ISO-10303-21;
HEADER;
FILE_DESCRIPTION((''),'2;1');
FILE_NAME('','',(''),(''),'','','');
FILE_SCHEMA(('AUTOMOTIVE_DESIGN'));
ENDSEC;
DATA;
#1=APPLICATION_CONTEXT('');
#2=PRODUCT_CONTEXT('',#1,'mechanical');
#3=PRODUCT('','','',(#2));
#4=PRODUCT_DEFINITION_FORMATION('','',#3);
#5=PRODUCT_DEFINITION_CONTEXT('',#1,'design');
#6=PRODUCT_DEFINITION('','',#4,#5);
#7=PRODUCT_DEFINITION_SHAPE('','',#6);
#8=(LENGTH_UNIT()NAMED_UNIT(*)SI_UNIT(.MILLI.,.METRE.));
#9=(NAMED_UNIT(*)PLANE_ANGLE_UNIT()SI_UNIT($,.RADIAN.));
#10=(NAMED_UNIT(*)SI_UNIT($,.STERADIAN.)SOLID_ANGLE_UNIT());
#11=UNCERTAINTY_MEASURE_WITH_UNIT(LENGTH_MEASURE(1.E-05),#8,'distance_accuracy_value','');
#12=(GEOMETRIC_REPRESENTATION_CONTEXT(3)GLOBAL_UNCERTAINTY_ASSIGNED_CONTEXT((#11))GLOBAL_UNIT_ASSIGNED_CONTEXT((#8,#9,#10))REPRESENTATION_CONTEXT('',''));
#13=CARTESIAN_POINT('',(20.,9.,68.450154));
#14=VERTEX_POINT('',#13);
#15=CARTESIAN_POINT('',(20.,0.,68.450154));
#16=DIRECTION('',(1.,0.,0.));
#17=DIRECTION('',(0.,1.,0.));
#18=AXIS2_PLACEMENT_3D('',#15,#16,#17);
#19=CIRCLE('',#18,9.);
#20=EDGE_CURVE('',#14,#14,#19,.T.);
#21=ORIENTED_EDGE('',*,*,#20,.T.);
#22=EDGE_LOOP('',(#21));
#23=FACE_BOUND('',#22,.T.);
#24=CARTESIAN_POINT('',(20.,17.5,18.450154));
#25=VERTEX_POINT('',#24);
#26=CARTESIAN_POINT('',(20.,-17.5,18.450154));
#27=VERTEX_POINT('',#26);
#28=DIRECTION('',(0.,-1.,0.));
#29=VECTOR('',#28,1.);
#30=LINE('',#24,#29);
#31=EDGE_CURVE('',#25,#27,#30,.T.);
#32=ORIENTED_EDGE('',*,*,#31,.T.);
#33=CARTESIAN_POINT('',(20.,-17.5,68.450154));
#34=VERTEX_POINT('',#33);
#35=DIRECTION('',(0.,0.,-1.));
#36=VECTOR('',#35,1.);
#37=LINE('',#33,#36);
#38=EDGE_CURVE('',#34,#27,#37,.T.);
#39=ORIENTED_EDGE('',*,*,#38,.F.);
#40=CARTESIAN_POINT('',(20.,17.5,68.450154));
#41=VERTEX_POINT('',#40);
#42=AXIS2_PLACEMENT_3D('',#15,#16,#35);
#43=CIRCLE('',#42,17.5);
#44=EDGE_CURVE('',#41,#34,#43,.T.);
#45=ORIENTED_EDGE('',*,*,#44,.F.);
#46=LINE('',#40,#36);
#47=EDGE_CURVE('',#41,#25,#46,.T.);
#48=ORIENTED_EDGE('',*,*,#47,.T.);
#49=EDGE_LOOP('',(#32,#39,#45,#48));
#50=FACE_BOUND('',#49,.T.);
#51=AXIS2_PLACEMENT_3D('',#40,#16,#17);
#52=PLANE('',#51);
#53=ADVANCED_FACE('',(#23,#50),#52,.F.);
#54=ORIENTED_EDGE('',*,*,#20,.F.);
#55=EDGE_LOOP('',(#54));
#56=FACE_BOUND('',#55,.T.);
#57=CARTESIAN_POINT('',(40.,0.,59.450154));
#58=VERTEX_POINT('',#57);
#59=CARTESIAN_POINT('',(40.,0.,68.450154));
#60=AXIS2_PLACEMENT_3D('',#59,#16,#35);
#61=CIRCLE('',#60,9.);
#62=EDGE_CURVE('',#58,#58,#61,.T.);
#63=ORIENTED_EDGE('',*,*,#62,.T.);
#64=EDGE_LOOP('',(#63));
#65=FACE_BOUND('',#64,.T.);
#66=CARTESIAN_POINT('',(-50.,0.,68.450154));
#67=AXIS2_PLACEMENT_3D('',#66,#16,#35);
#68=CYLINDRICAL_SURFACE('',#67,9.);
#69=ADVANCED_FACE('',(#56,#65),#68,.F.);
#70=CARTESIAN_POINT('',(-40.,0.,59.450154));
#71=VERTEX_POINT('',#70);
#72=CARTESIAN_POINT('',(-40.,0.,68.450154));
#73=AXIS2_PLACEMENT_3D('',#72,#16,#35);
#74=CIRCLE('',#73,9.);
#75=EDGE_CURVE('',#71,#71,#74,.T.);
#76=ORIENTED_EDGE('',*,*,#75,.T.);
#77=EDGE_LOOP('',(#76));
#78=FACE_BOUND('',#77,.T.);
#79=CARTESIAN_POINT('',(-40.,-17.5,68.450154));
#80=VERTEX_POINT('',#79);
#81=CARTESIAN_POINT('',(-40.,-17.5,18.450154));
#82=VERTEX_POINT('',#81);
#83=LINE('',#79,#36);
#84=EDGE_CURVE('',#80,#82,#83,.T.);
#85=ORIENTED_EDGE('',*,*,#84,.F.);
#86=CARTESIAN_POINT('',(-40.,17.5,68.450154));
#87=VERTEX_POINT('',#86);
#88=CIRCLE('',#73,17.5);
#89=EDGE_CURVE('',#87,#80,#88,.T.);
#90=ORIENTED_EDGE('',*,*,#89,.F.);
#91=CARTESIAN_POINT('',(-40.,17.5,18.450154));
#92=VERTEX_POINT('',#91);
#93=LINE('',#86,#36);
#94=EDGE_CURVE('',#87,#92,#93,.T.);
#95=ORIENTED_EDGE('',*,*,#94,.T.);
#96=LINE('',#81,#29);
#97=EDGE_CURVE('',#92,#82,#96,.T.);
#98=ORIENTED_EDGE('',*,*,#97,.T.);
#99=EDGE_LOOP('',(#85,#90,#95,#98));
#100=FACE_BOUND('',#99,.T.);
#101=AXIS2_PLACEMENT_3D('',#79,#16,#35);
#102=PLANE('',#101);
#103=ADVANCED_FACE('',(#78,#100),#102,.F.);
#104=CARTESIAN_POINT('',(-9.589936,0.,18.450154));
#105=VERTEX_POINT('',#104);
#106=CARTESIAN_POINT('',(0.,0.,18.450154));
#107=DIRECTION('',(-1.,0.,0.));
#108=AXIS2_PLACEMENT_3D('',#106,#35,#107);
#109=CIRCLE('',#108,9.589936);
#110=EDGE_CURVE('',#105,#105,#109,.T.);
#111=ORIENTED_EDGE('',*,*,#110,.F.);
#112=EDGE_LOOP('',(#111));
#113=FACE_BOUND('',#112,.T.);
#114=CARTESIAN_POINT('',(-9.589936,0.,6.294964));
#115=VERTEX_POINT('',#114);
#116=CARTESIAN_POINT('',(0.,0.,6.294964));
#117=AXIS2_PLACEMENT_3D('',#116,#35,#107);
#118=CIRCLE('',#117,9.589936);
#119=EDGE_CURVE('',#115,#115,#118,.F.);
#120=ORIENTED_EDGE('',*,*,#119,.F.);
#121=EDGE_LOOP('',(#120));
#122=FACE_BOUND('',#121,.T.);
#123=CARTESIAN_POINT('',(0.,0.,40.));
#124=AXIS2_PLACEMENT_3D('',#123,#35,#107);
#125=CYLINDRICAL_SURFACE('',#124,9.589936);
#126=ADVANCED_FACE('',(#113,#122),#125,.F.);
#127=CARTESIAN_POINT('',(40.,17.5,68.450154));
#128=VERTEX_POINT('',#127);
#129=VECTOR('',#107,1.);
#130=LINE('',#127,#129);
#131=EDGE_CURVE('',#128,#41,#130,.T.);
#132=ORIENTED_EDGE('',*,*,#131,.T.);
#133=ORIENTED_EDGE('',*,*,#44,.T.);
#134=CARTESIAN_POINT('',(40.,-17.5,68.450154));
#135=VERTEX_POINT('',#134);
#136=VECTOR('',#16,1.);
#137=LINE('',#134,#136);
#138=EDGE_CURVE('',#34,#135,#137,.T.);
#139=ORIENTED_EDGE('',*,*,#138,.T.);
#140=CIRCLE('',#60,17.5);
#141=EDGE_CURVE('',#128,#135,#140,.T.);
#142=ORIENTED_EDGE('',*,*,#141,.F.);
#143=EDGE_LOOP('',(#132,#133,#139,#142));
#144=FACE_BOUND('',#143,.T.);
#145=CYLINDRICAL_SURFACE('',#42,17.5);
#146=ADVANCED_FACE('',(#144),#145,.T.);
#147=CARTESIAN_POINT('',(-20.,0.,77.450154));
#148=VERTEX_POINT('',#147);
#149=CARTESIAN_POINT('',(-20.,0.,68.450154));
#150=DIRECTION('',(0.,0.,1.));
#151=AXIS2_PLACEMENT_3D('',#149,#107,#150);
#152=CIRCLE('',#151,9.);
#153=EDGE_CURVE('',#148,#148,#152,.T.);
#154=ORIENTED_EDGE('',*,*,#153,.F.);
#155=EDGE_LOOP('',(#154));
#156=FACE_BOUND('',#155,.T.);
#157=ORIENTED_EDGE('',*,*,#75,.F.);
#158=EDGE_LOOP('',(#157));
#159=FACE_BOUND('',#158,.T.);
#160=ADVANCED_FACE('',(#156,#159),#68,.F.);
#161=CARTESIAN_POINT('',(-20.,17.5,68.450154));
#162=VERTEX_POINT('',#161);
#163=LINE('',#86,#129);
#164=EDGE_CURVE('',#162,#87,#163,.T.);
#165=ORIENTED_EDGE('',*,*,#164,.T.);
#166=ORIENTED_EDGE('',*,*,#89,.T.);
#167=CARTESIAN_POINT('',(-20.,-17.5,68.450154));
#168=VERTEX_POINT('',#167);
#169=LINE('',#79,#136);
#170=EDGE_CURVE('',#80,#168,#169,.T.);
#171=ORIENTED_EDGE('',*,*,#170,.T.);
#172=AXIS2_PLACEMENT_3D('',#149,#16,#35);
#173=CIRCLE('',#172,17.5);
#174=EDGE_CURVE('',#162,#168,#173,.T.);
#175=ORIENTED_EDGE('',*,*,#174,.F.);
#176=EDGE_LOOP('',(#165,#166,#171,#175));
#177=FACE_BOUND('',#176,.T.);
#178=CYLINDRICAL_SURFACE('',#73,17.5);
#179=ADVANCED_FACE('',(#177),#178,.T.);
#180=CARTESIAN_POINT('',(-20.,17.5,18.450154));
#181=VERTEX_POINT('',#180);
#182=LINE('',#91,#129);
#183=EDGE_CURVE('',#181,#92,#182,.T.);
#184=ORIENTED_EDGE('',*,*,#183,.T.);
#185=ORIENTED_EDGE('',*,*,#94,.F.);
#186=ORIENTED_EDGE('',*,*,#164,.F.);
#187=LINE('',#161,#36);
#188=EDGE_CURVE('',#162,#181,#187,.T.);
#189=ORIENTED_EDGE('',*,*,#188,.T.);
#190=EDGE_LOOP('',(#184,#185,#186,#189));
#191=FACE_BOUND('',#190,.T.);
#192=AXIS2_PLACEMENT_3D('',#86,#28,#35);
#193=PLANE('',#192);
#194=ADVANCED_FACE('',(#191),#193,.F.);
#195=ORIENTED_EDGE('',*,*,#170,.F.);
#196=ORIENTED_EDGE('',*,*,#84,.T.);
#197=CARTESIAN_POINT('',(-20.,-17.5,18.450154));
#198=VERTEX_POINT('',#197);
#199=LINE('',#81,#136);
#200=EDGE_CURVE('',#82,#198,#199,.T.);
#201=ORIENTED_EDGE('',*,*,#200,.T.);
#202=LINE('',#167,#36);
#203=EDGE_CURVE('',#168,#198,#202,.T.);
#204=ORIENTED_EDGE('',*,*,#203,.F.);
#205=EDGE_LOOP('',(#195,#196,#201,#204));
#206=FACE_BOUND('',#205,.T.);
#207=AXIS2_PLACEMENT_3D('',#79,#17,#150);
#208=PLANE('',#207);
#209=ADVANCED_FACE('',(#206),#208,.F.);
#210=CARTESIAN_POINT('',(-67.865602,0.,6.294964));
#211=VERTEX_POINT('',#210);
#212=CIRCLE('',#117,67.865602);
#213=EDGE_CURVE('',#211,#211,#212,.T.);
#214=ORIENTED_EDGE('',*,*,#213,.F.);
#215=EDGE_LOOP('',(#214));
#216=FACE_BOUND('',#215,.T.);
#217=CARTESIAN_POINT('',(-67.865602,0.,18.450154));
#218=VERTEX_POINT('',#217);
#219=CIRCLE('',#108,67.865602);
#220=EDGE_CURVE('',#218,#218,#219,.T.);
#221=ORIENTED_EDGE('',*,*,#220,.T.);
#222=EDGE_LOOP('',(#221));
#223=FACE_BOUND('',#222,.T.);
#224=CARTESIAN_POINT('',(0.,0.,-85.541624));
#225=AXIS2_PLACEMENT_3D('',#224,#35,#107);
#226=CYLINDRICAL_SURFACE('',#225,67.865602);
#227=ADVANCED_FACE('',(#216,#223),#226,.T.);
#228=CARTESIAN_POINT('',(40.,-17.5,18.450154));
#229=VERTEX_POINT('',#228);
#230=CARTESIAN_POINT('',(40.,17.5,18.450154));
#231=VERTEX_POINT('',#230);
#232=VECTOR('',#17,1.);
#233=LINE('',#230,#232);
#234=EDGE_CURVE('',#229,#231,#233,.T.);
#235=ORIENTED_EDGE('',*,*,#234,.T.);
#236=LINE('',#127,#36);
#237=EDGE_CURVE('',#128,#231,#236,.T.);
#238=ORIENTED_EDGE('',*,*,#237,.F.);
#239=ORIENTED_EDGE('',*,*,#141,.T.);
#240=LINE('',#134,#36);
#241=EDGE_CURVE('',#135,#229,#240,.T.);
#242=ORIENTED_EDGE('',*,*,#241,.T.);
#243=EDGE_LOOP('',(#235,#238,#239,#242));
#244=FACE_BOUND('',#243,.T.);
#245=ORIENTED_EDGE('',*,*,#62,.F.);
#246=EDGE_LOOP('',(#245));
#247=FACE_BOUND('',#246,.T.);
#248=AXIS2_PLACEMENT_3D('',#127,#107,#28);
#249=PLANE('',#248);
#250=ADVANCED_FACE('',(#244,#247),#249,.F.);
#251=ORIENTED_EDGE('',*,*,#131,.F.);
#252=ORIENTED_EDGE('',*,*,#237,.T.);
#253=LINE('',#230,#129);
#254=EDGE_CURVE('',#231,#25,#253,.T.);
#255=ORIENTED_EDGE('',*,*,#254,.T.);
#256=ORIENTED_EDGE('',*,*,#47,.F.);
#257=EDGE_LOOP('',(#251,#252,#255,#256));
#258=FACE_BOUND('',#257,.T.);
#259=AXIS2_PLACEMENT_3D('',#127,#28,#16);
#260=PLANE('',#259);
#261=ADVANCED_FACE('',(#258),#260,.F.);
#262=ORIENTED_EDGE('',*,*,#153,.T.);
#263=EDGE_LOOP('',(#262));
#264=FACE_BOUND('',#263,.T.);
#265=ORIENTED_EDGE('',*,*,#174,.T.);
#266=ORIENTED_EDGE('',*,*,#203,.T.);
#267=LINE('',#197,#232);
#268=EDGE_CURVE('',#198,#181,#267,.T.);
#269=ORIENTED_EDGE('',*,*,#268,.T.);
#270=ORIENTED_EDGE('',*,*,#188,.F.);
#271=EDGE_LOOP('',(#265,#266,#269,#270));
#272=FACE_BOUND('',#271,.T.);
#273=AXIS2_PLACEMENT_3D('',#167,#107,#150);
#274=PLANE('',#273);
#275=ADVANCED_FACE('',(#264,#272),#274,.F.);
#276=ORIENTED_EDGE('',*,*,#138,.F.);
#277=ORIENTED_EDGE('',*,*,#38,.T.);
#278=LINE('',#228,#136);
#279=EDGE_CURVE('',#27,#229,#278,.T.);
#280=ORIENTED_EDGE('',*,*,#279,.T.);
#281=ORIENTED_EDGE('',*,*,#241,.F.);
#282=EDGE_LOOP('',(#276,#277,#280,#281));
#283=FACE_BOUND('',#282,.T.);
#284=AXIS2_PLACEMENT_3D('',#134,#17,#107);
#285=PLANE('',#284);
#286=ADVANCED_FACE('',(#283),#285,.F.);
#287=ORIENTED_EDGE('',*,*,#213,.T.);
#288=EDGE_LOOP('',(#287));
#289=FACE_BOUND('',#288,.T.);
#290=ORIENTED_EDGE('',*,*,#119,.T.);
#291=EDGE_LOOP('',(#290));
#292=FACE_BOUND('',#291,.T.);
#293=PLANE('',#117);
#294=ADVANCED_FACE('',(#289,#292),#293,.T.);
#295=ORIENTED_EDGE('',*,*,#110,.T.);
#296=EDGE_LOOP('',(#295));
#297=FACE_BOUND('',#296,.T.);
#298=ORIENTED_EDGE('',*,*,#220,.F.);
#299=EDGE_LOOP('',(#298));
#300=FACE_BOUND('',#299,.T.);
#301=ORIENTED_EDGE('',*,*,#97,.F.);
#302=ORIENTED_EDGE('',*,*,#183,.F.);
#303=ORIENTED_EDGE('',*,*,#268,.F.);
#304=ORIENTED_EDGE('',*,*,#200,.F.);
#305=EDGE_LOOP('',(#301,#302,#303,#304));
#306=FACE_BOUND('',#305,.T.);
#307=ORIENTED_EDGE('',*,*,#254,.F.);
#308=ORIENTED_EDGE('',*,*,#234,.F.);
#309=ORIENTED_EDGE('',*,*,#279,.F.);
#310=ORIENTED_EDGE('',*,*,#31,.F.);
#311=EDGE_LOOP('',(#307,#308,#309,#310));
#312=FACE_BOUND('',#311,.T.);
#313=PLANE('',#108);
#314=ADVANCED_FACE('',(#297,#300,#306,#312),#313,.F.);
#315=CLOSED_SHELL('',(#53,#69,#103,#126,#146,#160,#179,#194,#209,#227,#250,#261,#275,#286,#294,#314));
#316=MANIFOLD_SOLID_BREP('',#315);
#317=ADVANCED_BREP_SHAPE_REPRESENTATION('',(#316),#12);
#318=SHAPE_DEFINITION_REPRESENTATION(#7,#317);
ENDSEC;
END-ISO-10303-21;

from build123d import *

# Parameters (mm, degrees)
SKETCH5_R            = 9.589935832
CUT_EXTRUDE1_DEPTH   = 40
BOSS_EXTRUDE8_DEPTH  = 60
CIRPATTERN8_COUNT    = 24
SKETCH18_W           = 20
SKETCH18_H           = 35
BOSS_EXTRUDE9_DEPTH  = 50
SKETCH19_R           = 17.5
BOSS_EXTRUDE10_DEPTH = 20
SKETCH20_R           = 17.5
BOSS_EXTRUDE11_DEPTH = 20
SKETCH22_R           = 70
CUT_EXTRUDE3_DEPTH   = 65
SKETCH23_R           = 9
CUT_EXTRUDE4_DEPTH   = 90


with BuildPart() as part:
    # Sketch4 → Revolve1 (revolve)
    with BuildSketch(Plane(origin=(0, 0, 0), x_dir=(1, 0, 0), z_dir=(0, 1, 0))):
        Polygon((0, 0), (0, -18.450154162), (67.865602024, -18.450154162), (67.865602024, 58.705035971), (49.02838169, 58.705035971), (49.02838169, 0), align=None)
    revolve(axis=Axis((0, 0, -85.541623844), (0, 0, 1)))

    # Sketch5 → Cut-Extrude1 (cut)
    with BuildSketch(Plane(origin=(0, 0, 0), x_dir=(-1, 0, 0), z_dir=(0, 0, -1))):
        Circle(SKETCH5_R)
    extrude(amount=-CUT_EXTRUDE1_DEPTH, mode=Mode.SUBTRACT)

    # Sketch18 → Boss-Extrude9 (add)
    with BuildSketch(Plane.XY.offset(18.450154162)):
        with Locations((-30, 0)):
            Rectangle(SKETCH18_W, SKETCH18_H)
        with Locations((30, 0)):
            Rectangle(SKETCH18_W, SKETCH18_H)
    extrude(amount=BOSS_EXTRUDE9_DEPTH)

    # Sketch19 → Boss-Extrude10 (add)
    with BuildSketch(Plane(origin=(-20, 0, 0), x_dir=(0, 0, -1), z_dir=(1, 0, 0))):
        with Locations((-68.450154162, 0)):
            Circle(SKETCH19_R)
    extrude(amount=-BOSS_EXTRUDE10_DEPTH)

    # Sketch20 → Boss-Extrude11 (add)
    with BuildSketch(Plane(origin=(40, 0, 0), x_dir=(0, 0, -1), z_dir=(1, 0, 0))):
        with Locations((-68.450154162, 0)):
            Circle(SKETCH20_R)
    extrude(amount=-BOSS_EXTRUDE11_DEPTH)


with BuildPart() as body_2:
    # Sketch6 → Boss-Extrude8 (new body)
    with BuildSketch(Plane(origin=(0, 0, -58.705035971), x_dir=(-1, 0, 0), z_dir=(0, 0, -1))):
        Polygon((-8.362087214, 48.310016649), (-5.897089184, 44.631705328), (-3.61276171, 45.181148209), (-2.68200751, 48.954969583), align=None)
    extrude(amount=-BOSS_EXTRUDE8_DEPTH)


with BuildPart() as cirpattern8_1:
    # CirPattern8: pattern copy
    add(body_2.part.rotate(Axis((0, 0, 18.450154162), (0, 0, -1)), 1 * 360 / CIRPATTERN8_COUNT))


with BuildPart() as cirpattern8_2:
    # CirPattern8: pattern copy
    add(body_2.part.rotate(Axis((0, 0, 18.450154162), (0, 0, -1)), 2 * 360 / CIRPATTERN8_COUNT))


with BuildPart() as cirpattern8_3:
    # CirPattern8: pattern copy
    add(body_2.part.rotate(Axis((0, 0, 18.450154162), (0, 0, -1)), 3 * 360 / CIRPATTERN8_COUNT))


with BuildPart() as cirpattern8_4:
    # CirPattern8: pattern copy
    add(body_2.part.rotate(Axis((0, 0, 18.450154162), (0, 0, -1)), 4 * 360 / CIRPATTERN8_COUNT))


with BuildPart() as cirpattern8_5:
    # CirPattern8: pattern copy
    add(body_2.part.rotate(Axis((0, 0, 18.450154162), (0, 0, -1)), 5 * 360 / CIRPATTERN8_COUNT))


with BuildPart() as cirpattern8_6:
    # CirPattern8: pattern copy
    add(body_2.part.rotate(Axis((0, 0, 18.450154162), (0, 0, -1)), 6 * 360 / CIRPATTERN8_COUNT))


with BuildPart() as cirpattern8_7:
    # CirPattern8: pattern copy
    add(body_2.part.rotate(Axis((0, 0, 18.450154162), (0, 0, -1)), 7 * 360 / CIRPATTERN8_COUNT))


with BuildPart() as cirpattern8_8:
    # CirPattern8: pattern copy
    add(body_2.part.rotate(Axis((0, 0, 18.450154162), (0, 0, -1)), 8 * 360 / CIRPATTERN8_COUNT))


with BuildPart() as cirpattern8_9:
    # CirPattern8: pattern copy
    add(body_2.part.rotate(Axis((0, 0, 18.450154162), (0, 0, -1)), 9 * 360 / CIRPATTERN8_COUNT))


with BuildPart() as cirpattern8_10:
    # CirPattern8: pattern copy
    add(body_2.part.rotate(Axis((0, 0, 18.450154162), (0, 0, -1)), 10 * 360 / CIRPATTERN8_COUNT))


with BuildPart() as cirpattern8_11:
    # CirPattern8: pattern copy
    add(body_2.part.rotate(Axis((0, 0, 18.450154162), (0, 0, -1)), 11 * 360 / CIRPATTERN8_COUNT))


with BuildPart() as cirpattern8_12:
    # CirPattern8: pattern copy
    add(body_2.part.rotate(Axis((0, 0, 18.450154162), (0, 0, -1)), 12 * 360 / CIRPATTERN8_COUNT))


with BuildPart() as cirpattern8_13:
    # CirPattern8: pattern copy
    add(body_2.part.rotate(Axis((0, 0, 18.450154162), (0, 0, -1)), 13 * 360 / CIRPATTERN8_COUNT))


with BuildPart() as cirpattern8_14:
    # CirPattern8: pattern copy
    add(body_2.part.rotate(Axis((0, 0, 18.450154162), (0, 0, -1)), 14 * 360 / CIRPATTERN8_COUNT))


with BuildPart() as cirpattern8_15:
    # CirPattern8: pattern copy
    add(body_2.part.rotate(Axis((0, 0, 18.450154162), (0, 0, -1)), 15 * 360 / CIRPATTERN8_COUNT))


with BuildPart() as cirpattern8_16:
    # CirPattern8: pattern copy
    add(body_2.part.rotate(Axis((0, 0, 18.450154162), (0, 0, -1)), 16 * 360 / CIRPATTERN8_COUNT))


with BuildPart() as cirpattern8_17:
    # CirPattern8: pattern copy
    add(body_2.part.rotate(Axis((0, 0, 18.450154162), (0, 0, -1)), 17 * 360 / CIRPATTERN8_COUNT))


with BuildPart() as cirpattern8_18:
    # CirPattern8: pattern copy
    add(body_2.part.rotate(Axis((0, 0, 18.450154162), (0, 0, -1)), 18 * 360 / CIRPATTERN8_COUNT))


with BuildPart() as cirpattern8_19:
    # CirPattern8: pattern copy
    add(body_2.part.rotate(Axis((0, 0, 18.450154162), (0, 0, -1)), 19 * 360 / CIRPATTERN8_COUNT))


with BuildPart() as cirpattern8_20:
    # CirPattern8: pattern copy
    add(body_2.part.rotate(Axis((0, 0, 18.450154162), (0, 0, -1)), 20 * 360 / CIRPATTERN8_COUNT))


with BuildPart() as cirpattern8_21:
    # CirPattern8: pattern copy
    add(body_2.part.rotate(Axis((0, 0, 18.450154162), (0, 0, -1)), 21 * 360 / CIRPATTERN8_COUNT))


with BuildPart() as cirpattern8_22:
    # CirPattern8: pattern copy
    add(body_2.part.rotate(Axis((0, 0, 18.450154162), (0, 0, -1)), 22 * 360 / CIRPATTERN8_COUNT))


with BuildPart() as cirpattern8_23:
    # CirPattern8: pattern copy
    add(body_2.part.rotate(Axis((0, 0, 18.450154162), (0, 0, -1)), 23 * 360 / CIRPATTERN8_COUNT))


with BuildPart() as cut_extrude3_tool:
    # Sketch22 → Cut-Extrude3 (new body)
    with BuildSketch(Plane(origin=(0, 0, -58.705035971), x_dir=(-1, 0, 0), z_dir=(0, 0, -1))):
        Circle(SKETCH22_R)
    extrude(amount=-CUT_EXTRUDE3_DEPTH)


with BuildPart() as part_1:
    add(part.part)

    # Cut-Extrude3: cut by cut_extrude3_tool
    add(cut_extrude3_tool.part, mode=Mode.SUBTRACT)

    # Sketch23 → Cut-Extrude4 (cut)
    with BuildSketch(Plane(origin=(40, 0, 0), x_dir=(0, 0, -1), z_dir=(1, 0, 0))):
        with Locations((-68.450154162, 0)):
            Circle(SKETCH23_R)
    extrude(amount=-CUT_EXTRUDE4_DEPTH, mode=Mode.SUBTRACT)


with BuildPart() as body_2_1:
    add(body_2.part)

    # Cut-Extrude3: cut by cut_extrude3_tool
    add(cut_extrude3_tool.part, mode=Mode.SUBTRACT)


with BuildPart() as cirpattern8_1_1:
    add(cirpattern8_1.part)

    # Cut-Extrude3: cut by cut_extrude3_tool
    add(cut_extrude3_tool.part, mode=Mode.SUBTRACT)


with BuildPart() as cirpattern8_2_1:
    add(cirpattern8_2.part)

    # Cut-Extrude3: cut by cut_extrude3_tool
    add(cut_extrude3_tool.part, mode=Mode.SUBTRACT)


with BuildPart() as cirpattern8_3_1:
    add(cirpattern8_3.part)

    # Cut-Extrude3: cut by cut_extrude3_tool
    add(cut_extrude3_tool.part, mode=Mode.SUBTRACT)


with BuildPart() as cirpattern8_4_1:
    add(cirpattern8_4.part)

    # Cut-Extrude3: cut by cut_extrude3_tool
    add(cut_extrude3_tool.part, mode=Mode.SUBTRACT)


with BuildPart() as cirpattern8_5_1:
    add(cirpattern8_5.part)

    # Cut-Extrude3: cut by cut_extrude3_tool
    add(cut_extrude3_tool.part, mode=Mode.SUBTRACT)


with BuildPart() as cirpattern8_6_1:
    add(cirpattern8_6.part)

    # Cut-Extrude3: cut by cut_extrude3_tool
    add(cut_extrude3_tool.part, mode=Mode.SUBTRACT)


with BuildPart() as cirpattern8_7_1:
    add(cirpattern8_7.part)

    # Cut-Extrude3: cut by cut_extrude3_tool
    add(cut_extrude3_tool.part, mode=Mode.SUBTRACT)


with BuildPart() as cirpattern8_8_1:
    add(cirpattern8_8.part)

    # Cut-Extrude3: cut by cut_extrude3_tool
    add(cut_extrude3_tool.part, mode=Mode.SUBTRACT)


with BuildPart() as cirpattern8_9_1:
    add(cirpattern8_9.part)

    # Cut-Extrude3: cut by cut_extrude3_tool
    add(cut_extrude3_tool.part, mode=Mode.SUBTRACT)


with BuildPart() as cirpattern8_10_1:
    add(cirpattern8_10.part)

    # Cut-Extrude3: cut by cut_extrude3_tool
    add(cut_extrude3_tool.part, mode=Mode.SUBTRACT)


with BuildPart() as cirpattern8_11_1:
    add(cirpattern8_11.part)

    # Cut-Extrude3: cut by cut_extrude3_tool
    add(cut_extrude3_tool.part, mode=Mode.SUBTRACT)


with BuildPart() as cirpattern8_12_1:
    add(cirpattern8_12.part)

    # Cut-Extrude3: cut by cut_extrude3_tool
    add(cut_extrude3_tool.part, mode=Mode.SUBTRACT)


with BuildPart() as cirpattern8_13_1:
    add(cirpattern8_13.part)

    # Cut-Extrude3: cut by cut_extrude3_tool
    add(cut_extrude3_tool.part, mode=Mode.SUBTRACT)


with BuildPart() as cirpattern8_14_1:
    add(cirpattern8_14.part)

    # Cut-Extrude3: cut by cut_extrude3_tool
    add(cut_extrude3_tool.part, mode=Mode.SUBTRACT)


with BuildPart() as cirpattern8_15_1:
    add(cirpattern8_15.part)

    # Cut-Extrude3: cut by cut_extrude3_tool
    add(cut_extrude3_tool.part, mode=Mode.SUBTRACT)


with BuildPart() as cirpattern8_16_1:
    add(cirpattern8_16.part)

    # Cut-Extrude3: cut by cut_extrude3_tool
    add(cut_extrude3_tool.part, mode=Mode.SUBTRACT)


with BuildPart() as cirpattern8_17_1:
    add(cirpattern8_17.part)

    # Cut-Extrude3: cut by cut_extrude3_tool
    add(cut_extrude3_tool.part, mode=Mode.SUBTRACT)


with BuildPart() as cirpattern8_18_1:
    add(cirpattern8_18.part)

    # Cut-Extrude3: cut by cut_extrude3_tool
    add(cut_extrude3_tool.part, mode=Mode.SUBTRACT)


with BuildPart() as cirpattern8_19_1:
    add(cirpattern8_19.part)

    # Cut-Extrude3: cut by cut_extrude3_tool
    add(cut_extrude3_tool.part, mode=Mode.SUBTRACT)


with BuildPart() as cirpattern8_20_1:
    add(cirpattern8_20.part)

    # Cut-Extrude3: cut by cut_extrude3_tool
    add(cut_extrude3_tool.part, mode=Mode.SUBTRACT)


with BuildPart() as cirpattern8_21_1:
    add(cirpattern8_21.part)

    # Cut-Extrude3: cut by cut_extrude3_tool
    add(cut_extrude3_tool.part, mode=Mode.SUBTRACT)


with BuildPart() as cirpattern8_22_1:
    add(cirpattern8_22.part)

    # Cut-Extrude3: cut by cut_extrude3_tool
    add(cut_extrude3_tool.part, mode=Mode.SUBTRACT)


with BuildPart() as cirpattern8_23_1:
    add(cirpattern8_23.part)

    # Cut-Extrude3: cut by cut_extrude3_tool
    add(cut_extrude3_tool.part, mode=Mode.SUBTRACT)


solid = part_1.part
